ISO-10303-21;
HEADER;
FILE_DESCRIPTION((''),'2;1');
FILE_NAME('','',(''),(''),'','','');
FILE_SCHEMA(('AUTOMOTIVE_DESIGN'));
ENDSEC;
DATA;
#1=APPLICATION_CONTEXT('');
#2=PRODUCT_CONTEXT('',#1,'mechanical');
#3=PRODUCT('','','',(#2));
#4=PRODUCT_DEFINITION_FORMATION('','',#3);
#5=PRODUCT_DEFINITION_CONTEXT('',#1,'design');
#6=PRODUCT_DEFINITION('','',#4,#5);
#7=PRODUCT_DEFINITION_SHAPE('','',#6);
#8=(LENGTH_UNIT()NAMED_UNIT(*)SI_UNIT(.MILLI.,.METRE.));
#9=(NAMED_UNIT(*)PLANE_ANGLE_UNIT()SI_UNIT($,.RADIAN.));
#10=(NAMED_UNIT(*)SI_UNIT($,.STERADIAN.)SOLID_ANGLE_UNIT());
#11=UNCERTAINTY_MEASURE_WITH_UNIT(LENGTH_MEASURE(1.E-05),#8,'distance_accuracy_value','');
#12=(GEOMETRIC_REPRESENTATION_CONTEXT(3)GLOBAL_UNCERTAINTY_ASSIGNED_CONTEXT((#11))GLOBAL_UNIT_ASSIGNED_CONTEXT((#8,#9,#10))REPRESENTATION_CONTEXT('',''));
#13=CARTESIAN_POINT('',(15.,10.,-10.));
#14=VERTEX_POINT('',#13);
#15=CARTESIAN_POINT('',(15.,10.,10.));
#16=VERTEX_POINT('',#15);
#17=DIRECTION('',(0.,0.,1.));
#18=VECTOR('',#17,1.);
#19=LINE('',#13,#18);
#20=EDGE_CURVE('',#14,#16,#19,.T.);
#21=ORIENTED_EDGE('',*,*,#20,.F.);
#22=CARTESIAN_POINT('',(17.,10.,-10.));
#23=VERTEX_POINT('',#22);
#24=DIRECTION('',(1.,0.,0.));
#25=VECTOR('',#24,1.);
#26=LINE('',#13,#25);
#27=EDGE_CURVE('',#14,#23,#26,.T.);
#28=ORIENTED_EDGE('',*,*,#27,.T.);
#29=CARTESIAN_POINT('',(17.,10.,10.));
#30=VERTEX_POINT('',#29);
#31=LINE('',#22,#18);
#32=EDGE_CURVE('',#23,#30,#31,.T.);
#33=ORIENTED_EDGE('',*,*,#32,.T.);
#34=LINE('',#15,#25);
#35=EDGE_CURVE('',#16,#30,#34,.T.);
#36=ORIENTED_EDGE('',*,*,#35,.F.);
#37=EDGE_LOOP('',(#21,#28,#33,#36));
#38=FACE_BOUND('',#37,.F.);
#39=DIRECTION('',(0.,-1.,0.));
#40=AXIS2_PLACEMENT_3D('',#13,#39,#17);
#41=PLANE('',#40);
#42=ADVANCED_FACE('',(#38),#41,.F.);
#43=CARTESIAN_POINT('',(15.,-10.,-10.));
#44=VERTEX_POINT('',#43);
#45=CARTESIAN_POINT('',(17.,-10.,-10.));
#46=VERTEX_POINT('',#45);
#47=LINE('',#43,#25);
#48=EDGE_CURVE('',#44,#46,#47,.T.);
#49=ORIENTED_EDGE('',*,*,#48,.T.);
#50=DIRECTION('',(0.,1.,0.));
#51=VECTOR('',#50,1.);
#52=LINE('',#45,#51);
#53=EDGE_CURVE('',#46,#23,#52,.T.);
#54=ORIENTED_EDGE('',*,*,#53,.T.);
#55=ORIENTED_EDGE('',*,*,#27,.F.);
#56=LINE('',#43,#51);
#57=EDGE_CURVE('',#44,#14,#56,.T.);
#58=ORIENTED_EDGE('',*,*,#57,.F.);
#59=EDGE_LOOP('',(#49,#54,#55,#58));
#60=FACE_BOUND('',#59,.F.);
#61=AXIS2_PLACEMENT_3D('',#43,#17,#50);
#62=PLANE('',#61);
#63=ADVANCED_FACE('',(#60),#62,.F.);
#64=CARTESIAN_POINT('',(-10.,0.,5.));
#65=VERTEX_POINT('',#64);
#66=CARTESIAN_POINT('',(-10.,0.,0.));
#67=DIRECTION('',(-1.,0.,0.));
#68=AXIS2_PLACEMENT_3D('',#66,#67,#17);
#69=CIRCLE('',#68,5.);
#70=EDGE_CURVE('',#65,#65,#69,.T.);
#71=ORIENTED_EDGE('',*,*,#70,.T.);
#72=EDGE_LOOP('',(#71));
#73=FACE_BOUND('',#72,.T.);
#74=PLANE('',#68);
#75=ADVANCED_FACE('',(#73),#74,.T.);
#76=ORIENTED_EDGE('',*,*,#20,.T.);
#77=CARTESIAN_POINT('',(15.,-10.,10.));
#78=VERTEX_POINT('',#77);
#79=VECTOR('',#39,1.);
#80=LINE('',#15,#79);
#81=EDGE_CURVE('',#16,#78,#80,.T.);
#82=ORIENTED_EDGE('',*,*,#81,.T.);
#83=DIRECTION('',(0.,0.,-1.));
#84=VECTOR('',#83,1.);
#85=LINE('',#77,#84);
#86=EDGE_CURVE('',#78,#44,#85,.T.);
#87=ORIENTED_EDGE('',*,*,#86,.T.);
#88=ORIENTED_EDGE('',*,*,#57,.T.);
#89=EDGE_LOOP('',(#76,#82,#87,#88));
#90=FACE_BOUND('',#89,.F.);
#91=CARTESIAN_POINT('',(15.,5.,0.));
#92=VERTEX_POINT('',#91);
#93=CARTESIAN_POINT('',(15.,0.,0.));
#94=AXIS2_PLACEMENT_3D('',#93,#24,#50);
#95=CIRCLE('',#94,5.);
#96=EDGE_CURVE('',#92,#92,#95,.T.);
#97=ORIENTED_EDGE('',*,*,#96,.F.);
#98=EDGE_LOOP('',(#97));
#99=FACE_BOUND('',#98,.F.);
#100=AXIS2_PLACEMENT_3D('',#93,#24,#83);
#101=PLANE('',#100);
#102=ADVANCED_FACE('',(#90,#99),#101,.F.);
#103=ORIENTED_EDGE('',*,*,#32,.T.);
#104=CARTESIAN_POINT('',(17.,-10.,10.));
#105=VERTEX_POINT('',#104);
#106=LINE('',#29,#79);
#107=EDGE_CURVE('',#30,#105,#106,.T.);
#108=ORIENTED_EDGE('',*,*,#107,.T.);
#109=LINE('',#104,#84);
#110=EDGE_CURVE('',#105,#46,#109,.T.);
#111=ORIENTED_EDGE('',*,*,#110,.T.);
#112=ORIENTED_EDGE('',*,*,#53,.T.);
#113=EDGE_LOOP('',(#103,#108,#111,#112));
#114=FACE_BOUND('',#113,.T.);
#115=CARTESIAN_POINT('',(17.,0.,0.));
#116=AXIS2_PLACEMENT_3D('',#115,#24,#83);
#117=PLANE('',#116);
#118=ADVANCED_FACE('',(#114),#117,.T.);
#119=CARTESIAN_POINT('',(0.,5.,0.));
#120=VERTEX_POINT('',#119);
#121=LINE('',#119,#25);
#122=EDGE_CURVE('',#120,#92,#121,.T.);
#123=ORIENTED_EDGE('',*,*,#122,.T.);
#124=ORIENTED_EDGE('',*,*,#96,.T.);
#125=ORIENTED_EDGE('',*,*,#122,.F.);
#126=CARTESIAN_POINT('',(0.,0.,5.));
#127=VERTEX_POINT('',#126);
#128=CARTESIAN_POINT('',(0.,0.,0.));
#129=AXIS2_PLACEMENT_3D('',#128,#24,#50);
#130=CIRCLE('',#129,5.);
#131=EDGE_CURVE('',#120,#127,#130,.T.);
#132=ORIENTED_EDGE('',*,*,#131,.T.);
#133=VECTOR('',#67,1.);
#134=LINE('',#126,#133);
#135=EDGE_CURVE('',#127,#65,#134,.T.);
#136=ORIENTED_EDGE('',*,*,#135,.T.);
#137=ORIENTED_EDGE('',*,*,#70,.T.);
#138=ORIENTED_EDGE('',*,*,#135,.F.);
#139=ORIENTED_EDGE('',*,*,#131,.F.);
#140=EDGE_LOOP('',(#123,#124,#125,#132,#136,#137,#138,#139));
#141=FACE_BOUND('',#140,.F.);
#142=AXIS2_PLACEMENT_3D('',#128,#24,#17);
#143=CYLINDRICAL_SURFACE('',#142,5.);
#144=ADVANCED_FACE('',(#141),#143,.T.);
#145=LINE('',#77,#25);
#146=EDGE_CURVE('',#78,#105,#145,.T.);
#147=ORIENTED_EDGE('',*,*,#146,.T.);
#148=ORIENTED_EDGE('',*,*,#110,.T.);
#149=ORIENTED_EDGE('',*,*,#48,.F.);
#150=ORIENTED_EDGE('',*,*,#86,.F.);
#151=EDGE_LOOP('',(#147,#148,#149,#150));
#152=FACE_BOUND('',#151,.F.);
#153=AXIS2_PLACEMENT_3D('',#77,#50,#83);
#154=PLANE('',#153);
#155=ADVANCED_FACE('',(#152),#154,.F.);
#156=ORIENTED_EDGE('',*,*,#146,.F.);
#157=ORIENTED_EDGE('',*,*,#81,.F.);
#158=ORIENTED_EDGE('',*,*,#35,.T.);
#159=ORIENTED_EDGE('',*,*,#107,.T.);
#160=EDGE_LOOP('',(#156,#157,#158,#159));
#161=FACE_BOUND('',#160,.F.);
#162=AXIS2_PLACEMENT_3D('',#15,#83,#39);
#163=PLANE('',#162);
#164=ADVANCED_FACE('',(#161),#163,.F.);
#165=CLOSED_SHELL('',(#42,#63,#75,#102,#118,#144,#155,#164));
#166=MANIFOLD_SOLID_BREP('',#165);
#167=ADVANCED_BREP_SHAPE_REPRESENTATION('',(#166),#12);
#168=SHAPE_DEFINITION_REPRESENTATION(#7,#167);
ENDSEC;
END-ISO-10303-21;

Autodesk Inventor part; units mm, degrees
ref_plane "YZ Plane" through (0, 0, 0) normal (1, 0, 0) x (0, 1, 0)
ref_plane "XZ Plane" through (0, 0, 0) normal (0, 1, 0) x (-1, 0, 0)
ref_plane "XY Plane" through (0, 0, 0) normal (0, 0, 1) x (1, 0, 0)
sketch "草图1" plane through (0, 0, 0) normal (1, 0, 0) x (0, 1, 0)
  circle A0 centre (0, 0) radius 5
  dimension "d0" = 10
extrude "拉伸1" add sketch "草图1" along normal blind 15
sketch "草图2" plane through (15, 0, 0) normal (1, 0, 0) x (0, 0, -1)
  line L0 (10, 10) -> (-10, 10)
  line L1 (-10, 10) -> (-10, -10)
  line L2 (-10, -10) -> (10, -10)
  line L3 (10, -10) -> (10, 10)
  point P0 (0, 0)
  dimension "d3" = 20
  dimension "d4" = 20
extrude "拉伸2" add sketch "草图2" along normal blind 2
sketch "草图3" plane through (0, 0, 0) normal (-1, 0, 0) x (0, 0, 1)
  circle A0 centre (0, 0) radius 5
extrude "拉伸3" add sketch "草图3" along normal blind 10
properties part number "激光传感器"
